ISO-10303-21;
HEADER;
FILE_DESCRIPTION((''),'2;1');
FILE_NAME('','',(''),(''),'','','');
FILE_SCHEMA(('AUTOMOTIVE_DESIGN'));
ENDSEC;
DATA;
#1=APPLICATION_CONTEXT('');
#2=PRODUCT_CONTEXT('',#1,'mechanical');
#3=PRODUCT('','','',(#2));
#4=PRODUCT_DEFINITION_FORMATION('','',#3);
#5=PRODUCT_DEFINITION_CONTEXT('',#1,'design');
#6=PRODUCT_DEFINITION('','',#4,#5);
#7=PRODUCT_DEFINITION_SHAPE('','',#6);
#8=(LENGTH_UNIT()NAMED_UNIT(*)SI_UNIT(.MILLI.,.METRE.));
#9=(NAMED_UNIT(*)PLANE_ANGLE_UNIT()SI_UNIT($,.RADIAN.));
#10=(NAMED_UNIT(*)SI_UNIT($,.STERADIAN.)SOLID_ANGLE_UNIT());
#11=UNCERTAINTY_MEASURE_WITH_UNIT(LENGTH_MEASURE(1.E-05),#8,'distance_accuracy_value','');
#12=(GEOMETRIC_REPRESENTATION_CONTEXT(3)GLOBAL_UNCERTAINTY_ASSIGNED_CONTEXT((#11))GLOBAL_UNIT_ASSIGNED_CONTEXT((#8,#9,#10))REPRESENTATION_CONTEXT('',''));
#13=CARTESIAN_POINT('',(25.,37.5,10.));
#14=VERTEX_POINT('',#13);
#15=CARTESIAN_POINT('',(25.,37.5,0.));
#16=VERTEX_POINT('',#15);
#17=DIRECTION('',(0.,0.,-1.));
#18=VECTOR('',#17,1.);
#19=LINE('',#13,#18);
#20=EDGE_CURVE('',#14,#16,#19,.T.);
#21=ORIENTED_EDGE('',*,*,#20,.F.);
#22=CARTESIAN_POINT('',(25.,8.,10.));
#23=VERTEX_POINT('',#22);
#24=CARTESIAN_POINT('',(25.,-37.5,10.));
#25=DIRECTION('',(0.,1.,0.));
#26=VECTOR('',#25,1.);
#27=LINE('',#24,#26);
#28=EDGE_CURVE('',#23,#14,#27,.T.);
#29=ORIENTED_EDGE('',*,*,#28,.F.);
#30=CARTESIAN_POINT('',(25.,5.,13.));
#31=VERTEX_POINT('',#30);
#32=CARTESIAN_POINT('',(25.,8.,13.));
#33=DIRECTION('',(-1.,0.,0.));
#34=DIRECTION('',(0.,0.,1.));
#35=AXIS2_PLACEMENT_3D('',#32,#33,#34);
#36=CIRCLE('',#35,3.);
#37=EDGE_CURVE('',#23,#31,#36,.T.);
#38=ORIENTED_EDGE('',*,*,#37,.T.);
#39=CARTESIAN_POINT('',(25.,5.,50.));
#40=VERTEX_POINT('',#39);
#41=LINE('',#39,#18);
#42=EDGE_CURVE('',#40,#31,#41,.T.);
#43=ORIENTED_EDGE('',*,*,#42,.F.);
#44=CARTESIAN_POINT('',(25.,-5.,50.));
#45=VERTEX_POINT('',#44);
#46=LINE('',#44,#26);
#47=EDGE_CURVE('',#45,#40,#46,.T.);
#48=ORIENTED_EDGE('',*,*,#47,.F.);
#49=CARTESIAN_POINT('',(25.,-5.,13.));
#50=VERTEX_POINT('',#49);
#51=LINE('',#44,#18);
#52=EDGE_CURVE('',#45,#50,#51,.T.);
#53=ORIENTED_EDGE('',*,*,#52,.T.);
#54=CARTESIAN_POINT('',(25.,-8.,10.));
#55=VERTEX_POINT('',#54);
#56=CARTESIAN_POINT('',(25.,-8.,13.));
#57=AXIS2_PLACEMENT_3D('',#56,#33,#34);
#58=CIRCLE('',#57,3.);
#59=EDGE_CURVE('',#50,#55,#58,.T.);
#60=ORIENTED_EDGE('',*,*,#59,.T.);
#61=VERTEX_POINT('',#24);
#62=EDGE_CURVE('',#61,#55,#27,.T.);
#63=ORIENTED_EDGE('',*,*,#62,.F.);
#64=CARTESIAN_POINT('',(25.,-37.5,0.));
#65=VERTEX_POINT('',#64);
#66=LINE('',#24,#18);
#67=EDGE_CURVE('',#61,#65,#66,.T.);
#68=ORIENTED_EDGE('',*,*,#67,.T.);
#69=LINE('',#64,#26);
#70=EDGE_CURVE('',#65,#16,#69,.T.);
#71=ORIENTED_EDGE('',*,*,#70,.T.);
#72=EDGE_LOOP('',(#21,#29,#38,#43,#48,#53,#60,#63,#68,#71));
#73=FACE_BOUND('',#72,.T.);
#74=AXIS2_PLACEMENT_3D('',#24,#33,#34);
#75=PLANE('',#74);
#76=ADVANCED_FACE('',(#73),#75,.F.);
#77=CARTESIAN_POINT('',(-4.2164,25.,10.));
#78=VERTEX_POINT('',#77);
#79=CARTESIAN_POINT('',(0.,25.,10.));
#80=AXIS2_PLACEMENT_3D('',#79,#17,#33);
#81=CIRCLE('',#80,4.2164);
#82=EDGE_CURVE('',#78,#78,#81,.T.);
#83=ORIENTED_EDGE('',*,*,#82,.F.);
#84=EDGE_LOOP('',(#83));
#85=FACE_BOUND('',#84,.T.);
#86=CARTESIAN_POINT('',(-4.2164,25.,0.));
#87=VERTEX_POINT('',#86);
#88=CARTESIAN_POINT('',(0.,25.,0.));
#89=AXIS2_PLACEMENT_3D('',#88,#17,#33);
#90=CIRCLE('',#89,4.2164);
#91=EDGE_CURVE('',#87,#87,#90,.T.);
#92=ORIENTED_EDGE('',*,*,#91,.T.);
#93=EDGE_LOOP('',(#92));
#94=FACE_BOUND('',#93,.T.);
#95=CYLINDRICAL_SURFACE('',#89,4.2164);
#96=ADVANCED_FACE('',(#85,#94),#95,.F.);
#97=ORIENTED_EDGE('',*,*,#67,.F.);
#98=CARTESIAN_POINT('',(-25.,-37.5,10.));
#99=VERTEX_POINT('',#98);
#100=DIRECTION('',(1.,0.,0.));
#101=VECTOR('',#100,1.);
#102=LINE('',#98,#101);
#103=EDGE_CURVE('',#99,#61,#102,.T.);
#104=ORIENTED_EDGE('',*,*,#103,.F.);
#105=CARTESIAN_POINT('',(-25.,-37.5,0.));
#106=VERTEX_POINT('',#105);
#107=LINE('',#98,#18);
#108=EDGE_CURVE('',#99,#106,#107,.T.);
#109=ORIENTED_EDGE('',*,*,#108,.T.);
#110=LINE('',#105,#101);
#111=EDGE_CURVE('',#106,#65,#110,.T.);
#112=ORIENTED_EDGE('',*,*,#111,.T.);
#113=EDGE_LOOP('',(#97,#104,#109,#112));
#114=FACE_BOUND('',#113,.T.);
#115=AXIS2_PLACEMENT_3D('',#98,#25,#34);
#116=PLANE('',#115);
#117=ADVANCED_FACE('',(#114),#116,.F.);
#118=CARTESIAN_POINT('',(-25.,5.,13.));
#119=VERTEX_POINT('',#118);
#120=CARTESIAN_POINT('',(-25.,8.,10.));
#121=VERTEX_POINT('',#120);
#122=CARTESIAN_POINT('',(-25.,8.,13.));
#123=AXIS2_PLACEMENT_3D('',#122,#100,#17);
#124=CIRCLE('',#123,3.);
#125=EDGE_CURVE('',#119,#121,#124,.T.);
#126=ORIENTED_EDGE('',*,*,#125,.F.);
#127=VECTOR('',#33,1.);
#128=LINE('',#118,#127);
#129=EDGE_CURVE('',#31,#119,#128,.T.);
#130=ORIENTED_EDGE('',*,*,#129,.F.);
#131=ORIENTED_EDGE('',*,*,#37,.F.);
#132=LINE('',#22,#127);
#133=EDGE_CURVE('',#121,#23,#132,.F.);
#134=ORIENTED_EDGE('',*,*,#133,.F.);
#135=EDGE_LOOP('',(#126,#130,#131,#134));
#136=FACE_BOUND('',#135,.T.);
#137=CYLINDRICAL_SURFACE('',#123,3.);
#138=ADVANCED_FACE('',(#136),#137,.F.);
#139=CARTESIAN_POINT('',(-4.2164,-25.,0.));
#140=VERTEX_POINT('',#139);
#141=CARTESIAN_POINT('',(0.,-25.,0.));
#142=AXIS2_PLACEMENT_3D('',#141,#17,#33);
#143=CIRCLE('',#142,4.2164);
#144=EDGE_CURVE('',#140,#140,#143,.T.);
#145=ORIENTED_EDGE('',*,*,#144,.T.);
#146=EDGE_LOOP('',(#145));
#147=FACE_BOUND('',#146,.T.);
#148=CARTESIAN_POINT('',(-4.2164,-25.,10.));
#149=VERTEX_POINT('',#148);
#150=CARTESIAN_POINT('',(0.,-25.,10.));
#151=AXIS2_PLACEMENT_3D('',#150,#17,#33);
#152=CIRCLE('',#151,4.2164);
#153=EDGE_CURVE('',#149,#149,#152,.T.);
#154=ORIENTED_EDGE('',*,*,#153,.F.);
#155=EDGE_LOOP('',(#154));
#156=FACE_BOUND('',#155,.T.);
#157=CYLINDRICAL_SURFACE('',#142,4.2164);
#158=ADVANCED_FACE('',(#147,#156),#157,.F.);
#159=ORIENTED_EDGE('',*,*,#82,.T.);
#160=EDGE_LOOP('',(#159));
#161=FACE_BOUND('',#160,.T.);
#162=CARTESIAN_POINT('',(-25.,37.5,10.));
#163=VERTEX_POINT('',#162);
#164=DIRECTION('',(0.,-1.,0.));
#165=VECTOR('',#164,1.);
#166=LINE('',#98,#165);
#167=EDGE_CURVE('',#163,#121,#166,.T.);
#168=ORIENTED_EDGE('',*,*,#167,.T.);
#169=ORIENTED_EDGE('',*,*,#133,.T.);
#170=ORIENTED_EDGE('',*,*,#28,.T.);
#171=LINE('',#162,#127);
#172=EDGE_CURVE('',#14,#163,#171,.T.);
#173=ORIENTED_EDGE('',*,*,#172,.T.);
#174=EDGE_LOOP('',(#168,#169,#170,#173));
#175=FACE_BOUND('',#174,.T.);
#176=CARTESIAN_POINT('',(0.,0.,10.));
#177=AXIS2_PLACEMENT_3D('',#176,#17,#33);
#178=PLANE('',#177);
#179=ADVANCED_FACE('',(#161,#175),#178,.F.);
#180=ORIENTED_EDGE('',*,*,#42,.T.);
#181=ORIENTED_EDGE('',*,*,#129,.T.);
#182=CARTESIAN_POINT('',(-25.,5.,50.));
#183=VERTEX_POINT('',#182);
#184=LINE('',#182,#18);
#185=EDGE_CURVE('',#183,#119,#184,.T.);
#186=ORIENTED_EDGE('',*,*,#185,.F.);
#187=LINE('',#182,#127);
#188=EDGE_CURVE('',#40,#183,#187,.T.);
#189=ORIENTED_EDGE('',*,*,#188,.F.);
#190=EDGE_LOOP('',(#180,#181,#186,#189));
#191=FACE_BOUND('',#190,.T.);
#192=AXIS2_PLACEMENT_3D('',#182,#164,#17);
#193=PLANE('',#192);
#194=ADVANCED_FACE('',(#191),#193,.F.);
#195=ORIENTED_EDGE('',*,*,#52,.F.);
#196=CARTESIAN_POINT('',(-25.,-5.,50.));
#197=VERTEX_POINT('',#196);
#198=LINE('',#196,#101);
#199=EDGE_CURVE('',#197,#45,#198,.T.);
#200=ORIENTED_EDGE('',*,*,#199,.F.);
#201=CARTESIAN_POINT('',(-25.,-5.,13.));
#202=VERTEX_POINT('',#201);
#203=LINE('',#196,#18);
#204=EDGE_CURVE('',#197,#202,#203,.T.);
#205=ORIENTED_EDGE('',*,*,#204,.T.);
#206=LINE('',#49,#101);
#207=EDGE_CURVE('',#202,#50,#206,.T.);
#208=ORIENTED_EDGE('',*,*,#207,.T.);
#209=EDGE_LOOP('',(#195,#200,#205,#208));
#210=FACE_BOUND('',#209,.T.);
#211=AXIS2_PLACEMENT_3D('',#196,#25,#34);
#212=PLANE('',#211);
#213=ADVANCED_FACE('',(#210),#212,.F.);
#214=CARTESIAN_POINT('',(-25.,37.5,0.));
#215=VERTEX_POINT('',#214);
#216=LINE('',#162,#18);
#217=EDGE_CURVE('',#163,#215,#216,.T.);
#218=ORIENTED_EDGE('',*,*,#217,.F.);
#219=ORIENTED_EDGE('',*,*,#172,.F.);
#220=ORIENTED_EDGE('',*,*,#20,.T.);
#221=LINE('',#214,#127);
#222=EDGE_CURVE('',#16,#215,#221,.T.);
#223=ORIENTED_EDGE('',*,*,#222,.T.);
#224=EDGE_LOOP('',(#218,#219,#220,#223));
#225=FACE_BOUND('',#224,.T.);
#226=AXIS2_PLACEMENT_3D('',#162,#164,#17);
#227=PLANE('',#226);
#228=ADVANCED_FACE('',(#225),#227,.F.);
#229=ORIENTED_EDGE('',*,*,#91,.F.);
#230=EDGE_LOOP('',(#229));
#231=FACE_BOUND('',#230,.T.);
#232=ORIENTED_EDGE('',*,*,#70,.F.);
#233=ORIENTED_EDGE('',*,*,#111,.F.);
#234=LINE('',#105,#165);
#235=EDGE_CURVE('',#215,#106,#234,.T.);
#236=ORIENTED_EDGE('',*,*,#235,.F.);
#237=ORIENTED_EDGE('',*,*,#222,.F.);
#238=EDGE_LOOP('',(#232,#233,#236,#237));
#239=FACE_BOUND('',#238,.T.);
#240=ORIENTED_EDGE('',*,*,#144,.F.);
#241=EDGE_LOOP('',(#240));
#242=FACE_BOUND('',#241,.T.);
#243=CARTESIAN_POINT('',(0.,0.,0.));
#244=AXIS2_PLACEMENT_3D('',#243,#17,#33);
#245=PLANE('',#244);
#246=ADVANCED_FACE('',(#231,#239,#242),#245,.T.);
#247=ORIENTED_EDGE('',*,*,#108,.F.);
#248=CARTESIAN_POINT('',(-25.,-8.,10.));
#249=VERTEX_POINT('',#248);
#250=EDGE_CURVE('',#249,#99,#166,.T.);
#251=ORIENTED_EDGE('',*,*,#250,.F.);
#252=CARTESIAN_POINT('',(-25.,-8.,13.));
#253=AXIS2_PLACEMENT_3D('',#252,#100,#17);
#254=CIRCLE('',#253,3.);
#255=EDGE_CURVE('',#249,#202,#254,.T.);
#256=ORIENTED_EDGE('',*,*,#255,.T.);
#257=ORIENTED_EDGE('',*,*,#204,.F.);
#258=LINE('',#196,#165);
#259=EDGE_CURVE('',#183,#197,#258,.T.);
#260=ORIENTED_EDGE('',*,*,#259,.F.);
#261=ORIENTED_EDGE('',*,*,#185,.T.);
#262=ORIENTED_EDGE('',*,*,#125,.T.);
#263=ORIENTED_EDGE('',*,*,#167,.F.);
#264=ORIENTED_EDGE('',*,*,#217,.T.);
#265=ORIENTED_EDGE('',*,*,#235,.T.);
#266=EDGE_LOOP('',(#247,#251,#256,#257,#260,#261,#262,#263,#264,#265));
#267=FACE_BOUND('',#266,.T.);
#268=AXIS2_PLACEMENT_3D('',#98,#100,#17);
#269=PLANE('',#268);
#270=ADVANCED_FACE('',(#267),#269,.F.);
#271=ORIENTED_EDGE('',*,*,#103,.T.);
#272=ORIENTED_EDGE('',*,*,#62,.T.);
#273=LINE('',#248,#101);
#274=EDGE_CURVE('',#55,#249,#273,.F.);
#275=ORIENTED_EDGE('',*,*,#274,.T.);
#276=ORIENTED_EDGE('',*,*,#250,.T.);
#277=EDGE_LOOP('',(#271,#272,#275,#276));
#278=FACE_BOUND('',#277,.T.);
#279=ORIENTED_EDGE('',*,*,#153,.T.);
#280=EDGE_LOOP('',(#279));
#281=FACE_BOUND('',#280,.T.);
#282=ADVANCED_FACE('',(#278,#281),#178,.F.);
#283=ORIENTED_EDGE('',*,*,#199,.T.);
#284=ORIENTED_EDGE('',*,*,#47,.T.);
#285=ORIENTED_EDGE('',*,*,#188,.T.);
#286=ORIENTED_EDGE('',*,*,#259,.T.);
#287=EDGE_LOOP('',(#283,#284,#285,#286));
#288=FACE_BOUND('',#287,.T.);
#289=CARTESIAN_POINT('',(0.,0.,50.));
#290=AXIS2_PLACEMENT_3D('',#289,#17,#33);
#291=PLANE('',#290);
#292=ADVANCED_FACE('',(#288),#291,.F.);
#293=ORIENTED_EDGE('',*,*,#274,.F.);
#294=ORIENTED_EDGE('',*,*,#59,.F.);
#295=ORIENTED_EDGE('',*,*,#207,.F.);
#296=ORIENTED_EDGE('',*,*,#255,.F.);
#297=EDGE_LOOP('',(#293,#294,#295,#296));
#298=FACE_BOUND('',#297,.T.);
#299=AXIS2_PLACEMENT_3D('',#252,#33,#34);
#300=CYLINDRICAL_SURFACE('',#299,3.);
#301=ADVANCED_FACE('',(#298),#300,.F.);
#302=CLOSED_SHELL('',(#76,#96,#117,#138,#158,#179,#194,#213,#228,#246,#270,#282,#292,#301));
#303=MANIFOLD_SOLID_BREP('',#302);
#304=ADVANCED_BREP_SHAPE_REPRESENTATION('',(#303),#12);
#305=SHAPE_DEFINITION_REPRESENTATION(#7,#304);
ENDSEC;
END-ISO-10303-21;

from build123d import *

# Parameters (mm, degrees)
CROQUIS1_W                     = 50
CROQUIS1_H                     = 75
SALIENTE_EXTRUIR1_DEPTH        = 10
CROQUIS2_W                     = 50
CROQUIS2_H                     = 10
SALIENTE_EXTRUIR2_DEPTH        = 40
REDONDEO1_R                    = 3
TALADRO_DE_MARGEN_PARA_5_161_D = 8.4328


with BuildPart() as part:
    # Croquis1 → Saliente-Extruir1 (new body)
    with BuildSketch(Plane.XY):
        Rectangle(CROQUIS1_W, CROQUIS1_H)
    extrude(amount=SALIENTE_EXTRUIR1_DEPTH)

    # Croquis2 → Saliente-Extruir2 (add)
    with BuildSketch(Plane.XY.offset(10)):
        Rectangle(CROQUIS2_W, CROQUIS2_H)
    extrude(amount=SALIENTE_EXTRUIR2_DEPTH)

    # Redondeo1
    redondeo1_edges = [part.edges().sort_by_distance(p)[0] for p in [
        (0, -5, 10),
        (0, 5, 10),
    ]]
    fillet(redondeo1_edges, radius=REDONDEO1_R)

    # Taladro de margen para 5/161 (through all)
    with Locations(Plane(origin=(0, 25, 0), x_dir=(-1, 0, 0), z_dir=(0, 0, -1))):
        with Locations((0, 0), (0, -50)):
            Hole(TALADRO_DE_MARGEN_PARA_5_161_D / 2)


solid = part.part
